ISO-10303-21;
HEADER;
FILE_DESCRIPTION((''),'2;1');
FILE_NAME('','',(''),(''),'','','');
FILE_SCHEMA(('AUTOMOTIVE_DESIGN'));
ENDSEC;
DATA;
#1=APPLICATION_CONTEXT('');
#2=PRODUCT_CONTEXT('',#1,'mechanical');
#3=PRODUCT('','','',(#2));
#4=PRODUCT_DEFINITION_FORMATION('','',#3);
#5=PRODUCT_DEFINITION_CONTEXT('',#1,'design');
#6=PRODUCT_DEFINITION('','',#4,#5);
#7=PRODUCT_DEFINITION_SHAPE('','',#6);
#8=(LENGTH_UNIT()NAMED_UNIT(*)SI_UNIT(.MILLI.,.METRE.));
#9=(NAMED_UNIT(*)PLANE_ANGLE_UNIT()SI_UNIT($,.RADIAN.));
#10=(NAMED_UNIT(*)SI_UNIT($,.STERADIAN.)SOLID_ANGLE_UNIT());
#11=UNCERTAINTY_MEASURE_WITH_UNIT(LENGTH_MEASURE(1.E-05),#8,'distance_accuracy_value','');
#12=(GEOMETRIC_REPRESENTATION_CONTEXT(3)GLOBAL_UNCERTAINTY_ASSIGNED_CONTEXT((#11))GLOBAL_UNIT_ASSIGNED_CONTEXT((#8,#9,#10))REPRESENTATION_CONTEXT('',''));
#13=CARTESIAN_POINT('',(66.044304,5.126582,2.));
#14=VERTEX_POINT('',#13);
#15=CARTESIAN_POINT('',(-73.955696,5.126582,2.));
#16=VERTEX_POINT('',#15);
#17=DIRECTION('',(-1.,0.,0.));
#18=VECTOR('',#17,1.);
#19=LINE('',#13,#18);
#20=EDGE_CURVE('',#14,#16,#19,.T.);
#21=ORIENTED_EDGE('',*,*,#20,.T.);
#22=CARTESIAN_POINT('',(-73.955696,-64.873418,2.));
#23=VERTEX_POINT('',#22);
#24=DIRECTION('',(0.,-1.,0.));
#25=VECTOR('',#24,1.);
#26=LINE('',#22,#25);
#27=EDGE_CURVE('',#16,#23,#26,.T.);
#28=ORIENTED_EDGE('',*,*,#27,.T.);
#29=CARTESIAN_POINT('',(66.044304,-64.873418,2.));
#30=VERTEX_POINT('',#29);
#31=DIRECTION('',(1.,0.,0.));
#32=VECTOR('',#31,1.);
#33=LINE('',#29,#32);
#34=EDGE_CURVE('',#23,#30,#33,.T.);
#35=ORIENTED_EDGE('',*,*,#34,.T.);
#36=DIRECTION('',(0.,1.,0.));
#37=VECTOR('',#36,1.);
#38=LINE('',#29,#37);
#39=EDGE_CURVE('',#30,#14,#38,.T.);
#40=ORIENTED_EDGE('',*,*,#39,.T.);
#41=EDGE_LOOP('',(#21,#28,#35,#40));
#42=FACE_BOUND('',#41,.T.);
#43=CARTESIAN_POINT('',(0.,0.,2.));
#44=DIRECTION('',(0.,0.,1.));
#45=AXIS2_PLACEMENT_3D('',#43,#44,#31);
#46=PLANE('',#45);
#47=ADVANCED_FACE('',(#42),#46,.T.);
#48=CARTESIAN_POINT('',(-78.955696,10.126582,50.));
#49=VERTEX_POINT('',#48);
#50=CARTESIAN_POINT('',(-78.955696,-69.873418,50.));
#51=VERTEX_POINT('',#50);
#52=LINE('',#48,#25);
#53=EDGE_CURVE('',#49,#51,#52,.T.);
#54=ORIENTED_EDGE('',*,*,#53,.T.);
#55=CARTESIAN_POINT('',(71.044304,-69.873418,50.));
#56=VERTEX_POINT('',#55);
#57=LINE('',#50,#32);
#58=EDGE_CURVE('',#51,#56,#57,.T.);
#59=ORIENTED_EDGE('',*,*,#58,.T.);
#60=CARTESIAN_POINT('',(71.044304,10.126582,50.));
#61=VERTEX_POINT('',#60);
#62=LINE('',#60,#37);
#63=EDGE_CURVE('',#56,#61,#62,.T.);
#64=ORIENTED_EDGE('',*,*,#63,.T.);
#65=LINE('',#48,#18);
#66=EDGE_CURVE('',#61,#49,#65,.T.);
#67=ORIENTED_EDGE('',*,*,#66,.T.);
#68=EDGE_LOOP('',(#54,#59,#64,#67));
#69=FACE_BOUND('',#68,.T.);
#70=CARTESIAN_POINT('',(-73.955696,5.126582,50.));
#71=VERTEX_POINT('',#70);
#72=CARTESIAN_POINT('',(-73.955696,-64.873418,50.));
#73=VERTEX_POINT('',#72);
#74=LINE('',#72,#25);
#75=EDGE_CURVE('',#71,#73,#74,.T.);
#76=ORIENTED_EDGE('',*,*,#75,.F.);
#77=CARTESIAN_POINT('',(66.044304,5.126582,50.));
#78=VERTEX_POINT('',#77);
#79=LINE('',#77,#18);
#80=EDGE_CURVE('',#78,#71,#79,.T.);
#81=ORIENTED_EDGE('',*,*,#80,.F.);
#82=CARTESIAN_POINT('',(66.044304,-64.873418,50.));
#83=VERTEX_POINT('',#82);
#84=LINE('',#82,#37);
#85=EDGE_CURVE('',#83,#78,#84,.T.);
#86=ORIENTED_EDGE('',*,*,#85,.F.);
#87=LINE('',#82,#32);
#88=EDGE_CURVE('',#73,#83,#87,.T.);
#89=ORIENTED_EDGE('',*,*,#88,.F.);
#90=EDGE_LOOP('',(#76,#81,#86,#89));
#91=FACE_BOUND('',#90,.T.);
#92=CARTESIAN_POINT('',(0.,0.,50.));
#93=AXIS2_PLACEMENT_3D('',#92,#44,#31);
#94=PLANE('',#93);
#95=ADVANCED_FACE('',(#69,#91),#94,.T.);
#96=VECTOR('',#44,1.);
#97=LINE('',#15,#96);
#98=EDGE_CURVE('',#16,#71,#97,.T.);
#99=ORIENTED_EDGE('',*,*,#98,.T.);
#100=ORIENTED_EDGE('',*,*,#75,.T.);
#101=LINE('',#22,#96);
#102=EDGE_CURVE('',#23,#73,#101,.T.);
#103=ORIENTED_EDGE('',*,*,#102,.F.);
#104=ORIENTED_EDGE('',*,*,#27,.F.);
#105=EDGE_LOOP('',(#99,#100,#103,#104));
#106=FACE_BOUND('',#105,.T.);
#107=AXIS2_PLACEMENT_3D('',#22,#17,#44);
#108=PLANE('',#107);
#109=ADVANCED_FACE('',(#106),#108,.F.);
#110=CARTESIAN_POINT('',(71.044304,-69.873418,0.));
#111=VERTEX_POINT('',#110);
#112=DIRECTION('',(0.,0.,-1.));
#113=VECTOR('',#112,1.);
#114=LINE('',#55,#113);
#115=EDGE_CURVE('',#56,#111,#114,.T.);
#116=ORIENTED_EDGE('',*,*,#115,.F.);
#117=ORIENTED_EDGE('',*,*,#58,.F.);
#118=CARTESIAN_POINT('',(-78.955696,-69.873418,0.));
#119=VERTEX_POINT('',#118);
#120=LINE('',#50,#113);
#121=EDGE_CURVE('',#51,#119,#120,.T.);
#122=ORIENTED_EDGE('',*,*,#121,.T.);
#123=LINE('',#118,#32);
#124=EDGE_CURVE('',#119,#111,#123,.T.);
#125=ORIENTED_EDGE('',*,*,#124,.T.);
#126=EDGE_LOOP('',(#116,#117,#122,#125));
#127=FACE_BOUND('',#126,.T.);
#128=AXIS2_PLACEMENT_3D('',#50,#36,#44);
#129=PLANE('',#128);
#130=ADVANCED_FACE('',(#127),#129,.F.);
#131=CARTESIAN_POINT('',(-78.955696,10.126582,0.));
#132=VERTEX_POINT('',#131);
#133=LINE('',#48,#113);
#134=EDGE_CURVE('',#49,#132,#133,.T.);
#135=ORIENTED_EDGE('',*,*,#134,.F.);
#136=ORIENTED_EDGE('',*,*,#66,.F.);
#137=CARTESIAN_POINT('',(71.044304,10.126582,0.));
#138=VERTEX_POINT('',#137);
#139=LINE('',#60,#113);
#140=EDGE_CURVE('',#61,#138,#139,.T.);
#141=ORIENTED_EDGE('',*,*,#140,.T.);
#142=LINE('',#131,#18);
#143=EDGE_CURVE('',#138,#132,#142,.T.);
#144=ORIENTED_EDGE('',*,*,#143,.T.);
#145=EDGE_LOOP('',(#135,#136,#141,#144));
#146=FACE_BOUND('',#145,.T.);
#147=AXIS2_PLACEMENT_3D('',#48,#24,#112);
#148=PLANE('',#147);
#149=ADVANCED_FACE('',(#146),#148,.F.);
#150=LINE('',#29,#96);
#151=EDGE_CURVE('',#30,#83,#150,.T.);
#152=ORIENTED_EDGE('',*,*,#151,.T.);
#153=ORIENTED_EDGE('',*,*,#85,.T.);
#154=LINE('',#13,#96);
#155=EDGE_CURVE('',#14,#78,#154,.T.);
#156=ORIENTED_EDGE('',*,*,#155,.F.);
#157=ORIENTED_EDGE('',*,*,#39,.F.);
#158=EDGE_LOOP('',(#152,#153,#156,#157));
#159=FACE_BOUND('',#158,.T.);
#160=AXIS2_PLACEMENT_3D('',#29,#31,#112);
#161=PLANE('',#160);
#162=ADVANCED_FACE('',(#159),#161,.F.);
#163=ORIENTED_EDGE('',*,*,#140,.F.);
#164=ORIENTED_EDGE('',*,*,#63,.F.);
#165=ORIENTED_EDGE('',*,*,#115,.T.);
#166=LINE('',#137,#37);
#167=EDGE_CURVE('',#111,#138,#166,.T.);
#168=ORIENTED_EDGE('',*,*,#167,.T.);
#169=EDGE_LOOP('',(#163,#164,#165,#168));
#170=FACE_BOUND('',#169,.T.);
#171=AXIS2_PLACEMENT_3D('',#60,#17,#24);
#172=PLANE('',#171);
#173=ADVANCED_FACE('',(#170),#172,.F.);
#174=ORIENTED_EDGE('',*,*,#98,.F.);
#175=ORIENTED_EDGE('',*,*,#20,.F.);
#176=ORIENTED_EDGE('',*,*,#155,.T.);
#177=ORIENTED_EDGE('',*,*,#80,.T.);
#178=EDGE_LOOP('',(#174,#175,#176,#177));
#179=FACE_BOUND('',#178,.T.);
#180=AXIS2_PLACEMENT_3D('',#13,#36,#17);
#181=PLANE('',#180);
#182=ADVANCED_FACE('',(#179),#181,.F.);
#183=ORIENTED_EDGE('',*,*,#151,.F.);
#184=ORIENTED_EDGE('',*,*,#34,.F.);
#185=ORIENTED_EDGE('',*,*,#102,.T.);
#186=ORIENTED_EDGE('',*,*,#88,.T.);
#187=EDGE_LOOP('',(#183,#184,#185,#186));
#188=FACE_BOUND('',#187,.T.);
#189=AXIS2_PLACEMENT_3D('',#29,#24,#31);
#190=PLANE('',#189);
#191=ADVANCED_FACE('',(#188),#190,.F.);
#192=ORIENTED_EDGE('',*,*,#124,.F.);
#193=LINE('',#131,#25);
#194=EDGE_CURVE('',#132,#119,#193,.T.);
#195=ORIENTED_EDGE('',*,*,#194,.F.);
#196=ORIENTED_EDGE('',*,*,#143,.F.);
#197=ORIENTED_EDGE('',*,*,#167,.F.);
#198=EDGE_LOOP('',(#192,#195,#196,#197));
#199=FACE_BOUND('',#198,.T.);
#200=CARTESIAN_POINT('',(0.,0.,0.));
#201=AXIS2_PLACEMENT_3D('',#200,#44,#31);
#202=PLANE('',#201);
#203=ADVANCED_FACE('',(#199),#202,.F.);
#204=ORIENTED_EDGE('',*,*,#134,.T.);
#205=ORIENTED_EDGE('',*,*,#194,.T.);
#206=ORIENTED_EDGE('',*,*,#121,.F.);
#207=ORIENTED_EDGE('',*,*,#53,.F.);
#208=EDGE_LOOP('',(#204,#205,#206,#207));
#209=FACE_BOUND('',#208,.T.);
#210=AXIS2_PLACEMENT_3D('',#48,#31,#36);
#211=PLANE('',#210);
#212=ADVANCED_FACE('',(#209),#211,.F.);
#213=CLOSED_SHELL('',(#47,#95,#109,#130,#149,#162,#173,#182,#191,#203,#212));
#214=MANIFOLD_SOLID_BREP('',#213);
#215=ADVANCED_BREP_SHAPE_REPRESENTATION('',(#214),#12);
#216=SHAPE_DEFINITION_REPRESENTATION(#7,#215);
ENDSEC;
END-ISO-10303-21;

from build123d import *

# Parameters (mm, degrees)
SKETCH1_W           = 150
SKETCH1_H           = 80
BOSS_EXTRUDE1_DEPTH = 50
SKETCH2_W           = 140
SKETCH2_H           = 70
CUT_EXTRUDE1_DEPTH  = 48


with BuildPart() as part:
    # Sketch1 → Boss-Extrude1 (new body)
    with BuildSketch(Plane.XY):
        with Locations((-3.955696203, -29.873417722)):
            Rectangle(SKETCH1_W, SKETCH1_H)
    extrude(amount=BOSS_EXTRUDE1_DEPTH)

    # Sketch2 → Cut-Extrude1 (cut)
    with BuildSketch(Plane.XY.offset(50)):
        with Locations((-3.955696203, -29.873417722)):
            Rectangle(SKETCH2_W, SKETCH2_H)
    extrude(amount=-CUT_EXTRUDE1_DEPTH, mode=Mode.SUBTRACT)


solid = part.part
